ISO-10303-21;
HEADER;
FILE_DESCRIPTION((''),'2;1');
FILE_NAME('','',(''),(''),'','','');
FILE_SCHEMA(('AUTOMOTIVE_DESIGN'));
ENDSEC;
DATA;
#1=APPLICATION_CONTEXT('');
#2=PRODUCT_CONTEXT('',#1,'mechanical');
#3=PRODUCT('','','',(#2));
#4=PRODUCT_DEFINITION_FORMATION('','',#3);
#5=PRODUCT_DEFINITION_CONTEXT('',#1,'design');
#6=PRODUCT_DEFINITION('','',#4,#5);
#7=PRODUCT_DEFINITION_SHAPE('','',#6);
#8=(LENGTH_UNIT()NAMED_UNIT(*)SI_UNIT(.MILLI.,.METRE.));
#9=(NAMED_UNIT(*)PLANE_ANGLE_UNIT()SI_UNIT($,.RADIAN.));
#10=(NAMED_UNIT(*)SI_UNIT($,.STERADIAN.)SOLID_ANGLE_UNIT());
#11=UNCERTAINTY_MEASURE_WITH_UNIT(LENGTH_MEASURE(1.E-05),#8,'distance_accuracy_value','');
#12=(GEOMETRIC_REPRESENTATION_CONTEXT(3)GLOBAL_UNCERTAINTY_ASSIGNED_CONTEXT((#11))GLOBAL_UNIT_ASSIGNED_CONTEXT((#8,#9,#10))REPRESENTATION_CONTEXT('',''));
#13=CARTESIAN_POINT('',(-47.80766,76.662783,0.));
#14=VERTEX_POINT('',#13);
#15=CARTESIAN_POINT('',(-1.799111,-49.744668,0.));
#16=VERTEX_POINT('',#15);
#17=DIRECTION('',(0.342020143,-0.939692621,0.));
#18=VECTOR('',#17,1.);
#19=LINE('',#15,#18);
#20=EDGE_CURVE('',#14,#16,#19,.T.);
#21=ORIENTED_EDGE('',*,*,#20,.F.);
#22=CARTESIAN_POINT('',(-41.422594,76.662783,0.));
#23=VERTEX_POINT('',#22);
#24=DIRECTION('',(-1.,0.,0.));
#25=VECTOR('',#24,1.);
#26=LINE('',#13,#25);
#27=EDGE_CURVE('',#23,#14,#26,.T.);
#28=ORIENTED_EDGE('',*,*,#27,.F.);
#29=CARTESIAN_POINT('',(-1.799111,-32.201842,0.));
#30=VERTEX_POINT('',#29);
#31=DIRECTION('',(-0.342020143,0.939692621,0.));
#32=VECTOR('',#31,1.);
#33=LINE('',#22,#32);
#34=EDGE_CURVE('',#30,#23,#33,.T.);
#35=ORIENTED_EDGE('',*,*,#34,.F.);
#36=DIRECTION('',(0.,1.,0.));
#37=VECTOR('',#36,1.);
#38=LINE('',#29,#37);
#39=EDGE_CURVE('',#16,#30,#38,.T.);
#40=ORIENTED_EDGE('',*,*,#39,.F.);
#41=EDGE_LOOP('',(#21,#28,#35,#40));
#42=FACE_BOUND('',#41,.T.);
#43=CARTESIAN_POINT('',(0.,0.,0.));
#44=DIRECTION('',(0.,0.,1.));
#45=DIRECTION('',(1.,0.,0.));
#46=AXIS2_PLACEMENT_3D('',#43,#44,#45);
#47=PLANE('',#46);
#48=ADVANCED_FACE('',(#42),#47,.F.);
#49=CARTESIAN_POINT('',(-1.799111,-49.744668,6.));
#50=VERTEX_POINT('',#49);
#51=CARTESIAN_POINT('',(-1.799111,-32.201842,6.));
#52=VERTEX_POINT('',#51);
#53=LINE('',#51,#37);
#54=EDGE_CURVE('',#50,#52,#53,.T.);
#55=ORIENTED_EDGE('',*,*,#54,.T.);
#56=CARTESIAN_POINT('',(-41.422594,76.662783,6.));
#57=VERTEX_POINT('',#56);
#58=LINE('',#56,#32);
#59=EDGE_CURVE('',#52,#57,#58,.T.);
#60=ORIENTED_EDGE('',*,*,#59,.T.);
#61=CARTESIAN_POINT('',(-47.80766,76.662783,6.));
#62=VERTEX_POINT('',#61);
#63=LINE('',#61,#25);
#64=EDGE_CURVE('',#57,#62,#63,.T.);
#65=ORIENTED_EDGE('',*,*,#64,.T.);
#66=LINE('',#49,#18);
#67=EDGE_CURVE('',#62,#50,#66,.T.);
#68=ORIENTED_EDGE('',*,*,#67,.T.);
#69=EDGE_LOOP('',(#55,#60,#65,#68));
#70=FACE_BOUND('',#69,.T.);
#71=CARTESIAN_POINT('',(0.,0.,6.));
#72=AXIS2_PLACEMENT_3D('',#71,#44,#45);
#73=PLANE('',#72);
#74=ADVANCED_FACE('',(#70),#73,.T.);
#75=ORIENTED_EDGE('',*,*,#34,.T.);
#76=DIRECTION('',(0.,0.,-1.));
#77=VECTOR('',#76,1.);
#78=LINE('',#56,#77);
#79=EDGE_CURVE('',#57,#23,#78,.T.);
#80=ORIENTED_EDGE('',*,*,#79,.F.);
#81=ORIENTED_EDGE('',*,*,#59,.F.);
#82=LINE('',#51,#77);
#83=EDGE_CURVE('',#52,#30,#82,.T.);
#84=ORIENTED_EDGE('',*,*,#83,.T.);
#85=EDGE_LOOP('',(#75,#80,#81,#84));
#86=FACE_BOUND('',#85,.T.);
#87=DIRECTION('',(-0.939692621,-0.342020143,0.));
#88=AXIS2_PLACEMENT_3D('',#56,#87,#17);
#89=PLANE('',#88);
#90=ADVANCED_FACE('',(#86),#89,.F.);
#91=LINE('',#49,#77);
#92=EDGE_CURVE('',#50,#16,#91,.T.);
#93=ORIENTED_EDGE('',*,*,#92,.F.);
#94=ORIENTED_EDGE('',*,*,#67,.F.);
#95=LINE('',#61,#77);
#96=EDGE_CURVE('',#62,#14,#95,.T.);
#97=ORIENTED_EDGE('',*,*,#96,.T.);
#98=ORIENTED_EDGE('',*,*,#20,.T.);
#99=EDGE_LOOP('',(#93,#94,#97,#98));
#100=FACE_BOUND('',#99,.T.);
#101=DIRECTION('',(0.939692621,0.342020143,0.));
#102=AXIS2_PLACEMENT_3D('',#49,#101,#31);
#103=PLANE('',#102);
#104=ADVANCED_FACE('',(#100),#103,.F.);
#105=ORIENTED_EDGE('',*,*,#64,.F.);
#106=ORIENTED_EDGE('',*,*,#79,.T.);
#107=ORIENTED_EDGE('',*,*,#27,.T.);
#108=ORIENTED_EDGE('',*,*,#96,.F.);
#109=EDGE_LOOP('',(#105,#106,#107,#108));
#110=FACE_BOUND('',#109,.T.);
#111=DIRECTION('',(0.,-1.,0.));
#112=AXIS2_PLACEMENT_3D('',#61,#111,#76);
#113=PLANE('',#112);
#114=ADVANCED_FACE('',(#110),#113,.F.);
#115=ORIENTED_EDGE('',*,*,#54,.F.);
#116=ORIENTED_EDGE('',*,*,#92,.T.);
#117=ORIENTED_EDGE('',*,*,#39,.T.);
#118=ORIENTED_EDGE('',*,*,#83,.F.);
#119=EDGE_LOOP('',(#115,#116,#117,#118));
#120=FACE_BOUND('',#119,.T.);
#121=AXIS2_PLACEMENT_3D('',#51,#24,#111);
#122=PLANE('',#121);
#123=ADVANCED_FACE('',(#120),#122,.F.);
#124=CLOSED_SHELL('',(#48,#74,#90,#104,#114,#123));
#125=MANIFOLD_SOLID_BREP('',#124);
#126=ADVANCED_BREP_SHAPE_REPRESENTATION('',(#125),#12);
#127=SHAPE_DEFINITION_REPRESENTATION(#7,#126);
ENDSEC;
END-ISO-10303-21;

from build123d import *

# Parameters (mm, degrees)
BOSS_EXTRUDE1_DEPTH = 6


with BuildPart() as part:
    # Sketch1 → Boss-Extrude1 (new body)
    with BuildSketch(Plane(origin=(0, 0, 0), x_dir=(0, 1, 0), z_dir=(0, 0, 1))):
        Polygon((-49.744667945, 1.799110577), (76.662783403, 47.807660257), (76.662783403, 41.422593622), (-32.201841544, 1.799110577), align=None)
    extrude(amount=BOSS_EXTRUDE1_DEPTH)


solid = part.part
